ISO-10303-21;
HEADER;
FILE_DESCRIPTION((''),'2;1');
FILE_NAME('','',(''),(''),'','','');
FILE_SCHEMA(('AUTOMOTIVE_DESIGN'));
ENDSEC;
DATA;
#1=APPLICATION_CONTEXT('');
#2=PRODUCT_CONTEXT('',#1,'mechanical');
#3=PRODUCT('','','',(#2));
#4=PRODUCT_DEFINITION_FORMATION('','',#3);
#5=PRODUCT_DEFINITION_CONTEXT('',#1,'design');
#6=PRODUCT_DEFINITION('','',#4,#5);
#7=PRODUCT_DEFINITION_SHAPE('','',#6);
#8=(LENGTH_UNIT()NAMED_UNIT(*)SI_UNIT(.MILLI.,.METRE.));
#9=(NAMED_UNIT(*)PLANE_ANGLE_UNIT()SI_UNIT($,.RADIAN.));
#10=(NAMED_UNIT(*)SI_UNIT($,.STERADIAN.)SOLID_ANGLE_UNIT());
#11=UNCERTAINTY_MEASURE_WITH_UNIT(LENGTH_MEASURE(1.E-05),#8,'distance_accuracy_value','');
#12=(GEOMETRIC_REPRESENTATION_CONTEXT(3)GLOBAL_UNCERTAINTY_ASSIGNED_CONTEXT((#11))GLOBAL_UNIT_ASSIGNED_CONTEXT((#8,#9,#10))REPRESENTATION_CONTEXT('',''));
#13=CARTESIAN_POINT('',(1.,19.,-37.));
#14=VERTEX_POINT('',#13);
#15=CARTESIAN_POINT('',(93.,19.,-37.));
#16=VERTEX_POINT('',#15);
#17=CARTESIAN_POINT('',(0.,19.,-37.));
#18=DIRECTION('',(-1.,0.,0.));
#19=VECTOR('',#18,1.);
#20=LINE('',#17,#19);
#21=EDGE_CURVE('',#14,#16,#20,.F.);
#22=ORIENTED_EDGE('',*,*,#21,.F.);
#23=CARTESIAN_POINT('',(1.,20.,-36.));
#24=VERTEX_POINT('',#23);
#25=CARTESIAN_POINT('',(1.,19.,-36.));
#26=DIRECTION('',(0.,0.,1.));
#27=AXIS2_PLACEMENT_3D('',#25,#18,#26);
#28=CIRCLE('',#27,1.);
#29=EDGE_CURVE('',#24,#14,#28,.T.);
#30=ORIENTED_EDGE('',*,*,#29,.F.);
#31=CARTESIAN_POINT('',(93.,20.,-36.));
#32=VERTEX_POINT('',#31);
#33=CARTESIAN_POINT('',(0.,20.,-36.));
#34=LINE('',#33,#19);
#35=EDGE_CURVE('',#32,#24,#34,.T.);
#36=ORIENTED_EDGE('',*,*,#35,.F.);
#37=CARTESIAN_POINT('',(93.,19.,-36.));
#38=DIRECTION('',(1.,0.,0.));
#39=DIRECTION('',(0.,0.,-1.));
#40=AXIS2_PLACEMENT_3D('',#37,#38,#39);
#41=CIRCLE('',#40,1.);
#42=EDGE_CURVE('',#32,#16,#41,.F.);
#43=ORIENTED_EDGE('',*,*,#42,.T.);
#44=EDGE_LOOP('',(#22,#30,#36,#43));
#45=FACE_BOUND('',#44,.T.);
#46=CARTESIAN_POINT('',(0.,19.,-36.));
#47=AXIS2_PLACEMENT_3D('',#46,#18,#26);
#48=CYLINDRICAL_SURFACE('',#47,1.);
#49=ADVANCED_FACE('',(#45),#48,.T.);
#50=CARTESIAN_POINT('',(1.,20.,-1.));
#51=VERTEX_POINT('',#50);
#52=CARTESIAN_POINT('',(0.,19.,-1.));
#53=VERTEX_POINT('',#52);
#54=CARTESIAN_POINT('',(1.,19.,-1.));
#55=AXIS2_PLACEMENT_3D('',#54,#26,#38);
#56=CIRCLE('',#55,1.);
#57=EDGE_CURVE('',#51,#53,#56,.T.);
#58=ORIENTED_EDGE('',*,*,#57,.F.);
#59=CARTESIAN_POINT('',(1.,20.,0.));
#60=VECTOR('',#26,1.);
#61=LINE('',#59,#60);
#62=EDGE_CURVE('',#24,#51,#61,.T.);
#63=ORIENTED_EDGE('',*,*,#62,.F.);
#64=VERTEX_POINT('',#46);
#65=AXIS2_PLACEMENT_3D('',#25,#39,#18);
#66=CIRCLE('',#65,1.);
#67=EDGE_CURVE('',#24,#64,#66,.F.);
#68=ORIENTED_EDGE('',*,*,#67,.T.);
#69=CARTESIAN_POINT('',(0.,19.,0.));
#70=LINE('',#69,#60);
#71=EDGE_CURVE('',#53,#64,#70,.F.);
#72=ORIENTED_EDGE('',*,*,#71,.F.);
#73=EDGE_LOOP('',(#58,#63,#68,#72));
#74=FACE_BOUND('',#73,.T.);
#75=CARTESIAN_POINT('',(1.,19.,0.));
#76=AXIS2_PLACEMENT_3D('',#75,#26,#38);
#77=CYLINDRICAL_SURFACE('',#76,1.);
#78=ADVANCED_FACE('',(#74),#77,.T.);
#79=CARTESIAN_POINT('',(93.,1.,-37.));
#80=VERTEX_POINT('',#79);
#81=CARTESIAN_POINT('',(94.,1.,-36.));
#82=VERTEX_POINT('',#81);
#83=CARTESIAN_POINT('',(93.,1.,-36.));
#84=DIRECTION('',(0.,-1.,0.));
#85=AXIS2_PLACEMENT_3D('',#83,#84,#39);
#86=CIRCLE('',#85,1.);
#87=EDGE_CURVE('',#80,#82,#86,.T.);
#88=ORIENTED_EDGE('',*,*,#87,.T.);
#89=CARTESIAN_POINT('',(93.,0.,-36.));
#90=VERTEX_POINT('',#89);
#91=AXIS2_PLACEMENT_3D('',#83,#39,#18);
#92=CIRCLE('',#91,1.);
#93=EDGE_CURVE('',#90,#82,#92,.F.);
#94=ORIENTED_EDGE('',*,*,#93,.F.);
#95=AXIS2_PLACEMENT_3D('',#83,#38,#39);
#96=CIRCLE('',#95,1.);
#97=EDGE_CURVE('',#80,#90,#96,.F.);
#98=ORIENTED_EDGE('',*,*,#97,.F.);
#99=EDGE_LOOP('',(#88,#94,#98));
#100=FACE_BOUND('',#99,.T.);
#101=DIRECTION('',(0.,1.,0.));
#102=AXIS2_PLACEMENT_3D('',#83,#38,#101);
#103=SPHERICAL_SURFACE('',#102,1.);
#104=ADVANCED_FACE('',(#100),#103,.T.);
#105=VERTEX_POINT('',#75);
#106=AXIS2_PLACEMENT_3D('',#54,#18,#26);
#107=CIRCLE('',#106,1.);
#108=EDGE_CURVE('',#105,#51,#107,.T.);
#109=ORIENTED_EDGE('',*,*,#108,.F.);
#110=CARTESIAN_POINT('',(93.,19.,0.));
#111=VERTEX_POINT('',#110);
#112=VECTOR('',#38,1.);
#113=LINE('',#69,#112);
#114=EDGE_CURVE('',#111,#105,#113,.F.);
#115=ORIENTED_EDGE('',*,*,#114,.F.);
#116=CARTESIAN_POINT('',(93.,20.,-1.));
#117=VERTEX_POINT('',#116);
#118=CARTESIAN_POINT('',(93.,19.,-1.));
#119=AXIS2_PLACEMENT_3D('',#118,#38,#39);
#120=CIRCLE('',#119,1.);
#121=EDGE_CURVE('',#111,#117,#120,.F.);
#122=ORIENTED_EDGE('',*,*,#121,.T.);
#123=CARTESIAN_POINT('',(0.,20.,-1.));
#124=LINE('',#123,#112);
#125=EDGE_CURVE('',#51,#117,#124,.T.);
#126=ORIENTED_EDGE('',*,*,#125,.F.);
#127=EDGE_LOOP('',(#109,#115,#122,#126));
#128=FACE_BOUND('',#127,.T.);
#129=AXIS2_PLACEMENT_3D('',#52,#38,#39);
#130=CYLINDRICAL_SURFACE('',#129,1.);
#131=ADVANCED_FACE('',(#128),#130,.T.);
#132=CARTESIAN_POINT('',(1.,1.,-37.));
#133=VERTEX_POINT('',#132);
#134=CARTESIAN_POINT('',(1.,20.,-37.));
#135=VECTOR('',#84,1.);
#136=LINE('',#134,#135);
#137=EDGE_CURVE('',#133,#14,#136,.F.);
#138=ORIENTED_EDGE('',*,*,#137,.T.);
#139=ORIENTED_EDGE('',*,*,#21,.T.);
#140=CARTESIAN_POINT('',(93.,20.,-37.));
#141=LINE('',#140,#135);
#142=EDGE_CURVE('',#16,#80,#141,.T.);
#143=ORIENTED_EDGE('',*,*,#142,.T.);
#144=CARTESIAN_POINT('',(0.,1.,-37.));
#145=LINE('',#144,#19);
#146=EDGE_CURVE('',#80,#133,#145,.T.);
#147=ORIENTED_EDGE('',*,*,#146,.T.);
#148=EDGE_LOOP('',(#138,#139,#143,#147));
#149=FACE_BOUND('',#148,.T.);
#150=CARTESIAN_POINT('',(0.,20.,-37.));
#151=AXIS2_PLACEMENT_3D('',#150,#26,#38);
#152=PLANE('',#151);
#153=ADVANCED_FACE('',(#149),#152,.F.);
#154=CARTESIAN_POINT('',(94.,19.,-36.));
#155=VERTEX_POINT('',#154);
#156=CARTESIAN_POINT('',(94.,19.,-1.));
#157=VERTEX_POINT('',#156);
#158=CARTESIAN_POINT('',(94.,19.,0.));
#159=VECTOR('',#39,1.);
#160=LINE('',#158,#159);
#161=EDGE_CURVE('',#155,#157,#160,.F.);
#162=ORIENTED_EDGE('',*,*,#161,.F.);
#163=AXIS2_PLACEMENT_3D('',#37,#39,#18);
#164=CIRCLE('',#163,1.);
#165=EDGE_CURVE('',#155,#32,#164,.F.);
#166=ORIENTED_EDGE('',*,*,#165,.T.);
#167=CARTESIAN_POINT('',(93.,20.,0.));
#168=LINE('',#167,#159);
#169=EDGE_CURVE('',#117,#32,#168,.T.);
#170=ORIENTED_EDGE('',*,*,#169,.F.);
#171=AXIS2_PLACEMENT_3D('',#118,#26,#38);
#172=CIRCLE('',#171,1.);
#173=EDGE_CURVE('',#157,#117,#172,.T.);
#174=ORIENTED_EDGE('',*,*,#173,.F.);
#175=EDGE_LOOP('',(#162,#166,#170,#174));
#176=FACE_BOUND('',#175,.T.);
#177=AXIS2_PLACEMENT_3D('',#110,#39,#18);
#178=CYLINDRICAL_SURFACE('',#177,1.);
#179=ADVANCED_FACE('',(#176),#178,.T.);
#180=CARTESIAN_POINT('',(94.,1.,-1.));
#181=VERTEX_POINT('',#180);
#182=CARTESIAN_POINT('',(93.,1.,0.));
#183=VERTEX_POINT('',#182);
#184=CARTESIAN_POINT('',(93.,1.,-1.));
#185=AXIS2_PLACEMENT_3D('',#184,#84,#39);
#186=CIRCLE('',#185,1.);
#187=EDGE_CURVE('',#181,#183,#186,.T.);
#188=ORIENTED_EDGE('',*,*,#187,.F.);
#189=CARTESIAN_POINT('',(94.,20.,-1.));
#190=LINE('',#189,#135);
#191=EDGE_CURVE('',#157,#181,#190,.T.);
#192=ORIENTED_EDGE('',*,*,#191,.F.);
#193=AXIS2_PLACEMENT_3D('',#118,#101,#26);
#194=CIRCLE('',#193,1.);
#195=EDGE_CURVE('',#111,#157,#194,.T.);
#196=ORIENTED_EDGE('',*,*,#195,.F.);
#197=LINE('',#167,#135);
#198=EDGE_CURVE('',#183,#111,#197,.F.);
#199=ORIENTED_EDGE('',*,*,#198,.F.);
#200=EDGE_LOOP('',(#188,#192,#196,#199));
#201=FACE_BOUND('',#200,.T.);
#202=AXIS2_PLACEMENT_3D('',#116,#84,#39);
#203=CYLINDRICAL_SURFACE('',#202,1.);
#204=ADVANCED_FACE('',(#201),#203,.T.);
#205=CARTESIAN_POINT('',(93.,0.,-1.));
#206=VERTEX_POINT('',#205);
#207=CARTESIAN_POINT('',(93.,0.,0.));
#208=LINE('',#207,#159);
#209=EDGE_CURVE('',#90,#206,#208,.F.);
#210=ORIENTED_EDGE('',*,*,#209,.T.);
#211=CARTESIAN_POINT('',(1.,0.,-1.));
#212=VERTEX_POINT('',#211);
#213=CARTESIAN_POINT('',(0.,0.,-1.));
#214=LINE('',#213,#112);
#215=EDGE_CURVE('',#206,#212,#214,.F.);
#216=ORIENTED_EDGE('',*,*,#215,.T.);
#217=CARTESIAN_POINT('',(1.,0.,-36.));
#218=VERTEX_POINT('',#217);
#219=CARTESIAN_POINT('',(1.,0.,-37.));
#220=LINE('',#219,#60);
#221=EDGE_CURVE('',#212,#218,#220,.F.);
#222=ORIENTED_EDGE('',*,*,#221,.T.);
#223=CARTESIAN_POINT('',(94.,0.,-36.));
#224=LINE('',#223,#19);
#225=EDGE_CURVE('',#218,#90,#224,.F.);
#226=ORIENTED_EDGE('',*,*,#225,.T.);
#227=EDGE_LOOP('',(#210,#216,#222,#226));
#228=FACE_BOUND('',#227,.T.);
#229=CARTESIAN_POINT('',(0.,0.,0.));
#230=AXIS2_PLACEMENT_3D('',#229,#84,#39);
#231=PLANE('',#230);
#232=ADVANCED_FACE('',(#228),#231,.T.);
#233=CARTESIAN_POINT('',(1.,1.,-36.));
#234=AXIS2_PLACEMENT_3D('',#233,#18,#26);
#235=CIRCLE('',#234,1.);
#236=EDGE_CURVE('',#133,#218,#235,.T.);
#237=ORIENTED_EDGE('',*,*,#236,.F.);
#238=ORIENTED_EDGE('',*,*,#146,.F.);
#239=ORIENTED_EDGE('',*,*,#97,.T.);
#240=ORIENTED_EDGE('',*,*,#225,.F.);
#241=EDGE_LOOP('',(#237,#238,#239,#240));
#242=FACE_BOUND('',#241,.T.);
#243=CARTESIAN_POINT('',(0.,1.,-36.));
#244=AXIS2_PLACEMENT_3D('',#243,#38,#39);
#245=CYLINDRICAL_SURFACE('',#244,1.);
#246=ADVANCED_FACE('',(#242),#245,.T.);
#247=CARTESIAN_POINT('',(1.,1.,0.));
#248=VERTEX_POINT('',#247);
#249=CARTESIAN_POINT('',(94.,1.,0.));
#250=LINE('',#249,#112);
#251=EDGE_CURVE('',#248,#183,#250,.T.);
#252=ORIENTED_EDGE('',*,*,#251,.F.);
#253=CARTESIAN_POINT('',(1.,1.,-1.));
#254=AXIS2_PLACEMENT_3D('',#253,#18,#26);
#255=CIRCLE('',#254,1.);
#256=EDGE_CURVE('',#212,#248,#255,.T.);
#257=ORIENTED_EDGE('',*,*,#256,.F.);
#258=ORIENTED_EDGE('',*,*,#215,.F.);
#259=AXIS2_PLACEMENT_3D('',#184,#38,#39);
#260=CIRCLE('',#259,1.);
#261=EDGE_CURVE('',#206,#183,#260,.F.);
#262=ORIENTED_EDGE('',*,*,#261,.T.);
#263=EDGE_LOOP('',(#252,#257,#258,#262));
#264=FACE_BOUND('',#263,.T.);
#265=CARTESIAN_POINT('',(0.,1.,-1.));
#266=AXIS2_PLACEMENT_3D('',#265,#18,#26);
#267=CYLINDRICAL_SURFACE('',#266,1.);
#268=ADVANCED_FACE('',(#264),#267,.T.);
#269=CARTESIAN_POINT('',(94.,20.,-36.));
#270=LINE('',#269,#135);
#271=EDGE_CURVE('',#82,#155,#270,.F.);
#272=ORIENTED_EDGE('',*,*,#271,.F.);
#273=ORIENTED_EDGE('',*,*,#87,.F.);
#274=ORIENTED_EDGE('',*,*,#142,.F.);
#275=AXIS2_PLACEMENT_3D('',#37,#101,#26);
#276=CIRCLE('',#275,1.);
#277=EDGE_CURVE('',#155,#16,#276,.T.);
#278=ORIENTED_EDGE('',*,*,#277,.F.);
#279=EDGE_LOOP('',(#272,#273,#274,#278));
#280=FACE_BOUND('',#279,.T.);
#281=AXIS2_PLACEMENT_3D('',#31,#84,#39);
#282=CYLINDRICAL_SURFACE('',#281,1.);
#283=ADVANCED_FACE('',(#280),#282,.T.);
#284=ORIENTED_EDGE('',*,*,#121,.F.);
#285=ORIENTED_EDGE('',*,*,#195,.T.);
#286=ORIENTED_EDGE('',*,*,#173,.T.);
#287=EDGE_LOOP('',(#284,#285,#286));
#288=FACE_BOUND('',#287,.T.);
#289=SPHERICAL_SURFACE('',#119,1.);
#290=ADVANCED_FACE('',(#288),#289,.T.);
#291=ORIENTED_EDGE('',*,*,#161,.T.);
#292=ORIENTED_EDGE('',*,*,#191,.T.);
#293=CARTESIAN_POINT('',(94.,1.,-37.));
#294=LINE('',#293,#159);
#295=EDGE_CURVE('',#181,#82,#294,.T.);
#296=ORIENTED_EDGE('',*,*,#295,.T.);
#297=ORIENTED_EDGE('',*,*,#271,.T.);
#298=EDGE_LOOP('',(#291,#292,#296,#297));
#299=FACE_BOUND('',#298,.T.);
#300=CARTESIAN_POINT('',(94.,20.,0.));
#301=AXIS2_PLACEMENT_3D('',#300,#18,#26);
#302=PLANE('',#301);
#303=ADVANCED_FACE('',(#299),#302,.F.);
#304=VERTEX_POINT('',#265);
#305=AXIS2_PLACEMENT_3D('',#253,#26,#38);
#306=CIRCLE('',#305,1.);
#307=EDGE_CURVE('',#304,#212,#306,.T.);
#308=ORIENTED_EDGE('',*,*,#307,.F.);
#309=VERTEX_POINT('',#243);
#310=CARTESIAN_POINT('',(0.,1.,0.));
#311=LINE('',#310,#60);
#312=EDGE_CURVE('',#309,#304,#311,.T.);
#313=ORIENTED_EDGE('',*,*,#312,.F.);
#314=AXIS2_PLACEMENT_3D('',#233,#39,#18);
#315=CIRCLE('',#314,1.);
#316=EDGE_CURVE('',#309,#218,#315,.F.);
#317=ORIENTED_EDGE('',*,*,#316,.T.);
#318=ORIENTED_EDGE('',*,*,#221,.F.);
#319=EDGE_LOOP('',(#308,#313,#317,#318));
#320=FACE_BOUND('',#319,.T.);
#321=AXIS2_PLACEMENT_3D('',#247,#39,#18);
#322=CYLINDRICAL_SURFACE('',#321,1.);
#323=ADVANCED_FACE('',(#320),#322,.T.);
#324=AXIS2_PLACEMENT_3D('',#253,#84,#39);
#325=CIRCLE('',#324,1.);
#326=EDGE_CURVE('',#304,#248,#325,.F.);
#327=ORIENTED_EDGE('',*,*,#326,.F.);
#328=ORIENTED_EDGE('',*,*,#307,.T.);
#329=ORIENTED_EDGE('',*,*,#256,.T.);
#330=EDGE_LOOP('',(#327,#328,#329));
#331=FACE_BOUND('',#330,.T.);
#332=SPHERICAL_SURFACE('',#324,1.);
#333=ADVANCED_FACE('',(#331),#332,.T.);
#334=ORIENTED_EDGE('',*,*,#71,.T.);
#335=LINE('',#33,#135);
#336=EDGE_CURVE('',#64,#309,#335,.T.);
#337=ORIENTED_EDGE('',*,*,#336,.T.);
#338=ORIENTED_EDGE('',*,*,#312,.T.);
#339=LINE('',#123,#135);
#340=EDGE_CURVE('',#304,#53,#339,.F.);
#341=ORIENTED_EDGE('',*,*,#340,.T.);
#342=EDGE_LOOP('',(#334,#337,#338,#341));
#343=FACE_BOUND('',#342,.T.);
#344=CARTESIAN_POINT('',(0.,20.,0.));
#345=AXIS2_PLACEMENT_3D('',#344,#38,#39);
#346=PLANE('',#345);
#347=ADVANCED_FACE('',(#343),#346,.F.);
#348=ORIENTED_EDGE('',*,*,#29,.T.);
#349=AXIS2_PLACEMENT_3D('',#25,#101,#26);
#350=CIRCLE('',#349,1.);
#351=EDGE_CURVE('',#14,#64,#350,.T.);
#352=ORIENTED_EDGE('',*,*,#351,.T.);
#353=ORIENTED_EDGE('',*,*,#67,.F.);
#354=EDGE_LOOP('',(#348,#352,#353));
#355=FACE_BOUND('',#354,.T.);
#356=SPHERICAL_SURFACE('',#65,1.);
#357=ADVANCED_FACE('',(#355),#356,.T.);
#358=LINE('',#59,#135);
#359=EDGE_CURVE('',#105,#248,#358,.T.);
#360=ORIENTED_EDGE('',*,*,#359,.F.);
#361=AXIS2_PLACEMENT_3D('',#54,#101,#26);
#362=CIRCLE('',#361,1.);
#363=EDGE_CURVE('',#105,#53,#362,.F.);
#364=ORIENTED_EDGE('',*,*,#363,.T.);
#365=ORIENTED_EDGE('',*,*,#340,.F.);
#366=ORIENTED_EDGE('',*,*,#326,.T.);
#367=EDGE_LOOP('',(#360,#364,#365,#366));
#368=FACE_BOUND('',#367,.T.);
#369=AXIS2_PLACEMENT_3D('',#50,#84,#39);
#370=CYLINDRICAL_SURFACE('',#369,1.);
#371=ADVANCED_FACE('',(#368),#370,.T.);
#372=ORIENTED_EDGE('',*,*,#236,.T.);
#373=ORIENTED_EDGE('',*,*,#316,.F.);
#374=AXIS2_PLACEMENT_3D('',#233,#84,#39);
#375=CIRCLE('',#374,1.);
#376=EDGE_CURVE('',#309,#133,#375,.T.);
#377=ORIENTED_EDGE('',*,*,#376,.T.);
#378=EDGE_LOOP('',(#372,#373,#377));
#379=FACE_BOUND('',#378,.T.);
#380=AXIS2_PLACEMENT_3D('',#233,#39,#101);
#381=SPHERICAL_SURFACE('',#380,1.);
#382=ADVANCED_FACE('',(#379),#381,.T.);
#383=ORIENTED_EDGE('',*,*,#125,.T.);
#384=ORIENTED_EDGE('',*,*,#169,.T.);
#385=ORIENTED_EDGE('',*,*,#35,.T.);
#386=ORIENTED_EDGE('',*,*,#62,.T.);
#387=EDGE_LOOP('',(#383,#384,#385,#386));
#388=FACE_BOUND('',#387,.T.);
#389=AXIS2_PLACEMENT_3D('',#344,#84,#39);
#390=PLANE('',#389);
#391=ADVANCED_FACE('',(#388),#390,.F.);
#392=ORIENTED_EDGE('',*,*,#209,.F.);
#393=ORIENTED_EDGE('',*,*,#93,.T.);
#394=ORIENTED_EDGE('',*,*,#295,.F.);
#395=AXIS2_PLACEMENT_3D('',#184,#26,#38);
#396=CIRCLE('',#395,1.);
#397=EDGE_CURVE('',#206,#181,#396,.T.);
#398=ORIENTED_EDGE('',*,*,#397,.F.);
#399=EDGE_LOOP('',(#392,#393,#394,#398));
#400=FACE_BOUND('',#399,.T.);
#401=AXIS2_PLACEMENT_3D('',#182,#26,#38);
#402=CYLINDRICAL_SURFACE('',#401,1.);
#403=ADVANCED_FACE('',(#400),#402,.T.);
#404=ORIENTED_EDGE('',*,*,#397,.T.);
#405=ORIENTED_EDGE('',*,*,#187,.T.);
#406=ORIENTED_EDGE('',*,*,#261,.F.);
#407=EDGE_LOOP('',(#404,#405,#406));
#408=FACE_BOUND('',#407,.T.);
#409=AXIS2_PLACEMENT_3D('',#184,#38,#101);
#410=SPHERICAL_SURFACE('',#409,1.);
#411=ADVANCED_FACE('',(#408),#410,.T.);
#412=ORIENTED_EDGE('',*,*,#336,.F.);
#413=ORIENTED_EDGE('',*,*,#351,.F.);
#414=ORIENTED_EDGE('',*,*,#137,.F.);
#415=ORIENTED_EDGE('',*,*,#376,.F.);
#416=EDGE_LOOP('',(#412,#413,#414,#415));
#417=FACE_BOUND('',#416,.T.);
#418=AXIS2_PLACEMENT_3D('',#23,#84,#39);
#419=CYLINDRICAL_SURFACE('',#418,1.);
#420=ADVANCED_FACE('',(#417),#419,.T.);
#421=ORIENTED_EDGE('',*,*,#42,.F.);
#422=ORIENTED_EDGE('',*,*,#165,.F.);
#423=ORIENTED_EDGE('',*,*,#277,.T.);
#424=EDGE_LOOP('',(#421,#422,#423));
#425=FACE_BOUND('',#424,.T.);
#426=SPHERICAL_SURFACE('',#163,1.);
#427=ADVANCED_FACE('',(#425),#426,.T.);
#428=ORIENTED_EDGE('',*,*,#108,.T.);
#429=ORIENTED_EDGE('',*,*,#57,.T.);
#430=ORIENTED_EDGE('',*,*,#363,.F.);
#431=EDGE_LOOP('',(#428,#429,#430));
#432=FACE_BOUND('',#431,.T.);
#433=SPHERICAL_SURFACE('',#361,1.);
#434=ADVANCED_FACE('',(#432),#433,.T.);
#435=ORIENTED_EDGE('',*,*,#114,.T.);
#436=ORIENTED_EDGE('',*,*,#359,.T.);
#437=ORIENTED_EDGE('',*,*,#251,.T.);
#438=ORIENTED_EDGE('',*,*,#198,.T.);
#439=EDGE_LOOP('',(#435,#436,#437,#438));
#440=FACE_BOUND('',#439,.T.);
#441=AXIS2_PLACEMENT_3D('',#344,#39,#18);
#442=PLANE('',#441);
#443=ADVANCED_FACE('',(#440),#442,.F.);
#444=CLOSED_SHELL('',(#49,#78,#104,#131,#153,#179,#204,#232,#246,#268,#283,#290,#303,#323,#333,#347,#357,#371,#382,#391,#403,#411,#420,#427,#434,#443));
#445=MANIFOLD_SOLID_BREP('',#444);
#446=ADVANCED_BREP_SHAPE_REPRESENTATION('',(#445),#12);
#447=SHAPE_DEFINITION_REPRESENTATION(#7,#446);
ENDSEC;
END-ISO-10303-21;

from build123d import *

# Parameters (mm, degrees)
CROQUIS1_W              = 94
CROQUIS1_H              = 37
SALIENTE_EXTRUIR1_DEPTH = 20
REDONDEO1_R             = 1


with BuildPart() as part:
    # Croquis1 → Saliente-Extruir1 (new body)
    with BuildSketch(Plane(origin=(0, 0, 0), x_dir=(1, 0, 0), z_dir=(0, 1, 0))):
        with Locations((47, 18.5)):
            Rectangle(CROQUIS1_W, CROQUIS1_H)
    extrude(amount=SALIENTE_EXTRUIR1_DEPTH)

    # Redondeo1
    redondeo1_edges = [part.edges().sort_by_distance(p)[0] for p in [
        (94, 20, -18.5),
        (47, 20, -37),
        (0, 20, -18.5),
        (47, 0, -37),
        (94, 0, -18.5),
        (47, 0, 0),
        (0, 0, -18.5),
        (0, 10, -37),
        (94, 10, -37),
        (94, 10, 0),
        (0, 10, 0),
        (47, 20, 0),
    ]]
    fillet(redondeo1_edges, radius=REDONDEO1_R)


solid = part.part
